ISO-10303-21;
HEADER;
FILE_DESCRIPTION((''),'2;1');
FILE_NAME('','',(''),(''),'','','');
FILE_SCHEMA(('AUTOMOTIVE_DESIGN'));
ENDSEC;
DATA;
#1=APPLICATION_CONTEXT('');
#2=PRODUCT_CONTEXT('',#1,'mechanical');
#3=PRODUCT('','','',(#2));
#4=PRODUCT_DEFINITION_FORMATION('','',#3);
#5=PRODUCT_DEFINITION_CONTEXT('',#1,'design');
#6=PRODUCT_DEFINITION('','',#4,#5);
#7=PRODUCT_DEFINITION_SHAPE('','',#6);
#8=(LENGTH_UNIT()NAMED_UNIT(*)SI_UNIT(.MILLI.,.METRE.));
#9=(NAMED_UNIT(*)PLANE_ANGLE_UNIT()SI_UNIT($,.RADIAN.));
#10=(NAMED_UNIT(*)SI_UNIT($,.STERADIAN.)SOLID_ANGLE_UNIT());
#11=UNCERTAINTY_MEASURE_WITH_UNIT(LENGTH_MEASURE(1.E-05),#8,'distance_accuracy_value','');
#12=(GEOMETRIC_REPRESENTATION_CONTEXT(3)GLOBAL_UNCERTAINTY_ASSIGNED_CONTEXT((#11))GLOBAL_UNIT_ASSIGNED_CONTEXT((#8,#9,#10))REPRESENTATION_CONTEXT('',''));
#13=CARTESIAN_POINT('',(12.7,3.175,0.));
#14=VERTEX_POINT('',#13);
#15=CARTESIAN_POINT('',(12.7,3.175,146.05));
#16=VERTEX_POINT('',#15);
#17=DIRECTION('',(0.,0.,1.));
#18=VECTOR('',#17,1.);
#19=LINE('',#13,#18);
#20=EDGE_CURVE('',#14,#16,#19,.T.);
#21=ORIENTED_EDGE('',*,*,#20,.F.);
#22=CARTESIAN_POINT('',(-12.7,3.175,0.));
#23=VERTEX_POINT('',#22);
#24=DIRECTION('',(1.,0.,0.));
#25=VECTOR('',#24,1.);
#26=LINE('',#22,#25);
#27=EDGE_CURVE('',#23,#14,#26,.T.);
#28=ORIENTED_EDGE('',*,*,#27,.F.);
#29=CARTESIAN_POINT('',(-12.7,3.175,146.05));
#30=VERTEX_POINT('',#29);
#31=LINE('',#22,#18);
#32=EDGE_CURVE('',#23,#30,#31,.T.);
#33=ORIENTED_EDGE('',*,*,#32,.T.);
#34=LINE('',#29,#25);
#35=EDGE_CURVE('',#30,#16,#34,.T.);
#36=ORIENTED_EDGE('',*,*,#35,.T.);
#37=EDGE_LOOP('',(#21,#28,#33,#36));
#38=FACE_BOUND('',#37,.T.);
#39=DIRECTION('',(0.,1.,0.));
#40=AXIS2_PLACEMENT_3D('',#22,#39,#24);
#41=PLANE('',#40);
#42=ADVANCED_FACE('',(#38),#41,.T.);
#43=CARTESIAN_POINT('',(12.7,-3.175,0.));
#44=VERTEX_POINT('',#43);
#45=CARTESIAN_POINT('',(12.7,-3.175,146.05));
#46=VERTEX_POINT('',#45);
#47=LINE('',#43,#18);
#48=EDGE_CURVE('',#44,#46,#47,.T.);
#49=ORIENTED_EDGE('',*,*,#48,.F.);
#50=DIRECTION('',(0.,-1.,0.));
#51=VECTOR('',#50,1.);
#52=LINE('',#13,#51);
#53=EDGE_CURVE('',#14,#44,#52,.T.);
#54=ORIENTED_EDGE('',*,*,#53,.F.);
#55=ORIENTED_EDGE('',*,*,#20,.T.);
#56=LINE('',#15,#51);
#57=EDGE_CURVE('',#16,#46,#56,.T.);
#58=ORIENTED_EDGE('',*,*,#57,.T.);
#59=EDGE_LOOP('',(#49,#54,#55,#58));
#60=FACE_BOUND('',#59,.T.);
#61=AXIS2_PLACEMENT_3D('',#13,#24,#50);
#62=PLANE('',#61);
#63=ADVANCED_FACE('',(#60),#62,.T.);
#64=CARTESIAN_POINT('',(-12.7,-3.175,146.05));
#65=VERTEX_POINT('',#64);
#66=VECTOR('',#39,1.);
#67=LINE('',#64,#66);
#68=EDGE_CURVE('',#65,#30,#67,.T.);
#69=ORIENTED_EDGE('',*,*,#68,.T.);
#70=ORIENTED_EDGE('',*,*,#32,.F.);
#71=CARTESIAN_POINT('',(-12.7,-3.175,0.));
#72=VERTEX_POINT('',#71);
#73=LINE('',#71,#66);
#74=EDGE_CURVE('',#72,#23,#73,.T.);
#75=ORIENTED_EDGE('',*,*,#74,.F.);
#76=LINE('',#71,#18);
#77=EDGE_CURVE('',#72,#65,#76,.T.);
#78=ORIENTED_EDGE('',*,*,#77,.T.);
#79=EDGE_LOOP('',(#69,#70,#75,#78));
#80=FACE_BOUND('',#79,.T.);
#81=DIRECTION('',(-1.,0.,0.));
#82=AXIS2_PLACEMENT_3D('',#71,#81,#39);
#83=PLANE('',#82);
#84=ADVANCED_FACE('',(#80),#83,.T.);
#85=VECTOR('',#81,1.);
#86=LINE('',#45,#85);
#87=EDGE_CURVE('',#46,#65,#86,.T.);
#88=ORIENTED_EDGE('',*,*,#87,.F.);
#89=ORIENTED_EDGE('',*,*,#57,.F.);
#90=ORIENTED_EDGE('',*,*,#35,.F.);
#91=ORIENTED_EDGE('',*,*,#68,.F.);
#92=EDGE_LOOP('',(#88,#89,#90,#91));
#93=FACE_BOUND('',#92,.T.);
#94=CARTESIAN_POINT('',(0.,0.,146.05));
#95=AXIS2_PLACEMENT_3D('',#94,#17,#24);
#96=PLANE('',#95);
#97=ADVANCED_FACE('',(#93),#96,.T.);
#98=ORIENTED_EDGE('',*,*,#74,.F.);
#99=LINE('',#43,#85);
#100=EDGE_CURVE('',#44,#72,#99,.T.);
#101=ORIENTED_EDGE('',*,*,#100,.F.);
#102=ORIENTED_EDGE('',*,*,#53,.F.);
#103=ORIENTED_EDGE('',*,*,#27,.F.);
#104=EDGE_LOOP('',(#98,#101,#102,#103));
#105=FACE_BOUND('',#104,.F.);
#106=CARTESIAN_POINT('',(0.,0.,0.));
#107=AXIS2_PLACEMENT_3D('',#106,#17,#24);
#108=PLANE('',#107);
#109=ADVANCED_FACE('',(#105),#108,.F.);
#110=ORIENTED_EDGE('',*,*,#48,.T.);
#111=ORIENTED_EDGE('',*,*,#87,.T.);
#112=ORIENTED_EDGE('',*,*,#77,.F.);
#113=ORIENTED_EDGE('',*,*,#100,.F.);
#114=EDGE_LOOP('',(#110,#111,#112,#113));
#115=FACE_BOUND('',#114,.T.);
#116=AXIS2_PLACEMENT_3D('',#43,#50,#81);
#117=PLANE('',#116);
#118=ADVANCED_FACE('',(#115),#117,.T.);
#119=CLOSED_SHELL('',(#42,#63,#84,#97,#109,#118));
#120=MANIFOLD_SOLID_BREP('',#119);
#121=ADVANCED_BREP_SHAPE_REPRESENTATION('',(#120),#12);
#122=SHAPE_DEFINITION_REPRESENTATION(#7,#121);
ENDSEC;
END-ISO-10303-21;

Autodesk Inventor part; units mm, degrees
ref_plane "YZ Plane" through (0, 0, 0) normal (1, 0, 0) x (0, 1, 0)
ref_plane "Start plane" through (0, 0, 0) normal (0, 0, 1) x (1, 0, 0)
ref_plane "End plane" through (0, 0, 146.05) normal (0, 0, 1) x (1, 0, 0)
sketch "Sketch" plane through (0, 0, 0) normal (0, 0, 1) x (1, 0, 0)
  line L0 (12.7, -3.175) -> (-12.7, -3.175)
  line L1 (-12.7, -3.175) -> (-12.7, 3.175)
  line L2 (-12.7, 3.175) -> (12.7, 3.175)
  line L3 (12.7, 3.175) -> (12.7, -3.175)
  line L4 (-6, 0) -> (8, 0) construction
  line L5 (0, -30) -> (0, 40) construction
  line L6 (0, 54) -> (0, -44) construction
  line L7 (-17.78, 0) -> (17.78, 0) construction
  dimension "d0" = 6.35
  dimension "d1" = 25.4
  dimension "d4" = 12.7
  dimension "d5" = 3.175
extrude "Body" add sketch "Sketch" along normal up to surface (146.05 mm away) from surface at 0
sketch "Sketch3" plane through (0, 0, 0) normal (0, 0, 1) x (1, 0, 0)
  line L0 (0, 0) -> (10, 0)
ref_plane "Work Plane3" through (0, 0, 0) normal (0, -1, 0) x (1, 0, 0)
sketch "Sketch4" plane through (0, 0, 0) normal (0, -1, 0) x (1, 0, 0)
  line L0 (-2, 0) -> (12, 0)
  line L1 (-2, 146.05) -> (12, 146.05)
  dimension "d9" = 146.05
equation "\"d0\" = G_W"
equation "\"d1\" = G_H"
equation "\"d4\" = 0.5 * d1"
equation "\"d5\" = 0.5 * d0"
equation "\"d2\" = G_L"
equation "\"G_W\" = 6.35"
equation "\"G_H\" = 25.4"
equation "\"G_L\" = d9"
equation "\"G_OFFSET_START\" = 0"
equation "\"G_OFFSET_END\" = 0"
equation "\"d7\" = G_OFFSET_END + B_L"
equation "\"B_L\" = 146.05"
properties part number "AISC - 1/4x1 - 5.75" material "Steel, Mild"
